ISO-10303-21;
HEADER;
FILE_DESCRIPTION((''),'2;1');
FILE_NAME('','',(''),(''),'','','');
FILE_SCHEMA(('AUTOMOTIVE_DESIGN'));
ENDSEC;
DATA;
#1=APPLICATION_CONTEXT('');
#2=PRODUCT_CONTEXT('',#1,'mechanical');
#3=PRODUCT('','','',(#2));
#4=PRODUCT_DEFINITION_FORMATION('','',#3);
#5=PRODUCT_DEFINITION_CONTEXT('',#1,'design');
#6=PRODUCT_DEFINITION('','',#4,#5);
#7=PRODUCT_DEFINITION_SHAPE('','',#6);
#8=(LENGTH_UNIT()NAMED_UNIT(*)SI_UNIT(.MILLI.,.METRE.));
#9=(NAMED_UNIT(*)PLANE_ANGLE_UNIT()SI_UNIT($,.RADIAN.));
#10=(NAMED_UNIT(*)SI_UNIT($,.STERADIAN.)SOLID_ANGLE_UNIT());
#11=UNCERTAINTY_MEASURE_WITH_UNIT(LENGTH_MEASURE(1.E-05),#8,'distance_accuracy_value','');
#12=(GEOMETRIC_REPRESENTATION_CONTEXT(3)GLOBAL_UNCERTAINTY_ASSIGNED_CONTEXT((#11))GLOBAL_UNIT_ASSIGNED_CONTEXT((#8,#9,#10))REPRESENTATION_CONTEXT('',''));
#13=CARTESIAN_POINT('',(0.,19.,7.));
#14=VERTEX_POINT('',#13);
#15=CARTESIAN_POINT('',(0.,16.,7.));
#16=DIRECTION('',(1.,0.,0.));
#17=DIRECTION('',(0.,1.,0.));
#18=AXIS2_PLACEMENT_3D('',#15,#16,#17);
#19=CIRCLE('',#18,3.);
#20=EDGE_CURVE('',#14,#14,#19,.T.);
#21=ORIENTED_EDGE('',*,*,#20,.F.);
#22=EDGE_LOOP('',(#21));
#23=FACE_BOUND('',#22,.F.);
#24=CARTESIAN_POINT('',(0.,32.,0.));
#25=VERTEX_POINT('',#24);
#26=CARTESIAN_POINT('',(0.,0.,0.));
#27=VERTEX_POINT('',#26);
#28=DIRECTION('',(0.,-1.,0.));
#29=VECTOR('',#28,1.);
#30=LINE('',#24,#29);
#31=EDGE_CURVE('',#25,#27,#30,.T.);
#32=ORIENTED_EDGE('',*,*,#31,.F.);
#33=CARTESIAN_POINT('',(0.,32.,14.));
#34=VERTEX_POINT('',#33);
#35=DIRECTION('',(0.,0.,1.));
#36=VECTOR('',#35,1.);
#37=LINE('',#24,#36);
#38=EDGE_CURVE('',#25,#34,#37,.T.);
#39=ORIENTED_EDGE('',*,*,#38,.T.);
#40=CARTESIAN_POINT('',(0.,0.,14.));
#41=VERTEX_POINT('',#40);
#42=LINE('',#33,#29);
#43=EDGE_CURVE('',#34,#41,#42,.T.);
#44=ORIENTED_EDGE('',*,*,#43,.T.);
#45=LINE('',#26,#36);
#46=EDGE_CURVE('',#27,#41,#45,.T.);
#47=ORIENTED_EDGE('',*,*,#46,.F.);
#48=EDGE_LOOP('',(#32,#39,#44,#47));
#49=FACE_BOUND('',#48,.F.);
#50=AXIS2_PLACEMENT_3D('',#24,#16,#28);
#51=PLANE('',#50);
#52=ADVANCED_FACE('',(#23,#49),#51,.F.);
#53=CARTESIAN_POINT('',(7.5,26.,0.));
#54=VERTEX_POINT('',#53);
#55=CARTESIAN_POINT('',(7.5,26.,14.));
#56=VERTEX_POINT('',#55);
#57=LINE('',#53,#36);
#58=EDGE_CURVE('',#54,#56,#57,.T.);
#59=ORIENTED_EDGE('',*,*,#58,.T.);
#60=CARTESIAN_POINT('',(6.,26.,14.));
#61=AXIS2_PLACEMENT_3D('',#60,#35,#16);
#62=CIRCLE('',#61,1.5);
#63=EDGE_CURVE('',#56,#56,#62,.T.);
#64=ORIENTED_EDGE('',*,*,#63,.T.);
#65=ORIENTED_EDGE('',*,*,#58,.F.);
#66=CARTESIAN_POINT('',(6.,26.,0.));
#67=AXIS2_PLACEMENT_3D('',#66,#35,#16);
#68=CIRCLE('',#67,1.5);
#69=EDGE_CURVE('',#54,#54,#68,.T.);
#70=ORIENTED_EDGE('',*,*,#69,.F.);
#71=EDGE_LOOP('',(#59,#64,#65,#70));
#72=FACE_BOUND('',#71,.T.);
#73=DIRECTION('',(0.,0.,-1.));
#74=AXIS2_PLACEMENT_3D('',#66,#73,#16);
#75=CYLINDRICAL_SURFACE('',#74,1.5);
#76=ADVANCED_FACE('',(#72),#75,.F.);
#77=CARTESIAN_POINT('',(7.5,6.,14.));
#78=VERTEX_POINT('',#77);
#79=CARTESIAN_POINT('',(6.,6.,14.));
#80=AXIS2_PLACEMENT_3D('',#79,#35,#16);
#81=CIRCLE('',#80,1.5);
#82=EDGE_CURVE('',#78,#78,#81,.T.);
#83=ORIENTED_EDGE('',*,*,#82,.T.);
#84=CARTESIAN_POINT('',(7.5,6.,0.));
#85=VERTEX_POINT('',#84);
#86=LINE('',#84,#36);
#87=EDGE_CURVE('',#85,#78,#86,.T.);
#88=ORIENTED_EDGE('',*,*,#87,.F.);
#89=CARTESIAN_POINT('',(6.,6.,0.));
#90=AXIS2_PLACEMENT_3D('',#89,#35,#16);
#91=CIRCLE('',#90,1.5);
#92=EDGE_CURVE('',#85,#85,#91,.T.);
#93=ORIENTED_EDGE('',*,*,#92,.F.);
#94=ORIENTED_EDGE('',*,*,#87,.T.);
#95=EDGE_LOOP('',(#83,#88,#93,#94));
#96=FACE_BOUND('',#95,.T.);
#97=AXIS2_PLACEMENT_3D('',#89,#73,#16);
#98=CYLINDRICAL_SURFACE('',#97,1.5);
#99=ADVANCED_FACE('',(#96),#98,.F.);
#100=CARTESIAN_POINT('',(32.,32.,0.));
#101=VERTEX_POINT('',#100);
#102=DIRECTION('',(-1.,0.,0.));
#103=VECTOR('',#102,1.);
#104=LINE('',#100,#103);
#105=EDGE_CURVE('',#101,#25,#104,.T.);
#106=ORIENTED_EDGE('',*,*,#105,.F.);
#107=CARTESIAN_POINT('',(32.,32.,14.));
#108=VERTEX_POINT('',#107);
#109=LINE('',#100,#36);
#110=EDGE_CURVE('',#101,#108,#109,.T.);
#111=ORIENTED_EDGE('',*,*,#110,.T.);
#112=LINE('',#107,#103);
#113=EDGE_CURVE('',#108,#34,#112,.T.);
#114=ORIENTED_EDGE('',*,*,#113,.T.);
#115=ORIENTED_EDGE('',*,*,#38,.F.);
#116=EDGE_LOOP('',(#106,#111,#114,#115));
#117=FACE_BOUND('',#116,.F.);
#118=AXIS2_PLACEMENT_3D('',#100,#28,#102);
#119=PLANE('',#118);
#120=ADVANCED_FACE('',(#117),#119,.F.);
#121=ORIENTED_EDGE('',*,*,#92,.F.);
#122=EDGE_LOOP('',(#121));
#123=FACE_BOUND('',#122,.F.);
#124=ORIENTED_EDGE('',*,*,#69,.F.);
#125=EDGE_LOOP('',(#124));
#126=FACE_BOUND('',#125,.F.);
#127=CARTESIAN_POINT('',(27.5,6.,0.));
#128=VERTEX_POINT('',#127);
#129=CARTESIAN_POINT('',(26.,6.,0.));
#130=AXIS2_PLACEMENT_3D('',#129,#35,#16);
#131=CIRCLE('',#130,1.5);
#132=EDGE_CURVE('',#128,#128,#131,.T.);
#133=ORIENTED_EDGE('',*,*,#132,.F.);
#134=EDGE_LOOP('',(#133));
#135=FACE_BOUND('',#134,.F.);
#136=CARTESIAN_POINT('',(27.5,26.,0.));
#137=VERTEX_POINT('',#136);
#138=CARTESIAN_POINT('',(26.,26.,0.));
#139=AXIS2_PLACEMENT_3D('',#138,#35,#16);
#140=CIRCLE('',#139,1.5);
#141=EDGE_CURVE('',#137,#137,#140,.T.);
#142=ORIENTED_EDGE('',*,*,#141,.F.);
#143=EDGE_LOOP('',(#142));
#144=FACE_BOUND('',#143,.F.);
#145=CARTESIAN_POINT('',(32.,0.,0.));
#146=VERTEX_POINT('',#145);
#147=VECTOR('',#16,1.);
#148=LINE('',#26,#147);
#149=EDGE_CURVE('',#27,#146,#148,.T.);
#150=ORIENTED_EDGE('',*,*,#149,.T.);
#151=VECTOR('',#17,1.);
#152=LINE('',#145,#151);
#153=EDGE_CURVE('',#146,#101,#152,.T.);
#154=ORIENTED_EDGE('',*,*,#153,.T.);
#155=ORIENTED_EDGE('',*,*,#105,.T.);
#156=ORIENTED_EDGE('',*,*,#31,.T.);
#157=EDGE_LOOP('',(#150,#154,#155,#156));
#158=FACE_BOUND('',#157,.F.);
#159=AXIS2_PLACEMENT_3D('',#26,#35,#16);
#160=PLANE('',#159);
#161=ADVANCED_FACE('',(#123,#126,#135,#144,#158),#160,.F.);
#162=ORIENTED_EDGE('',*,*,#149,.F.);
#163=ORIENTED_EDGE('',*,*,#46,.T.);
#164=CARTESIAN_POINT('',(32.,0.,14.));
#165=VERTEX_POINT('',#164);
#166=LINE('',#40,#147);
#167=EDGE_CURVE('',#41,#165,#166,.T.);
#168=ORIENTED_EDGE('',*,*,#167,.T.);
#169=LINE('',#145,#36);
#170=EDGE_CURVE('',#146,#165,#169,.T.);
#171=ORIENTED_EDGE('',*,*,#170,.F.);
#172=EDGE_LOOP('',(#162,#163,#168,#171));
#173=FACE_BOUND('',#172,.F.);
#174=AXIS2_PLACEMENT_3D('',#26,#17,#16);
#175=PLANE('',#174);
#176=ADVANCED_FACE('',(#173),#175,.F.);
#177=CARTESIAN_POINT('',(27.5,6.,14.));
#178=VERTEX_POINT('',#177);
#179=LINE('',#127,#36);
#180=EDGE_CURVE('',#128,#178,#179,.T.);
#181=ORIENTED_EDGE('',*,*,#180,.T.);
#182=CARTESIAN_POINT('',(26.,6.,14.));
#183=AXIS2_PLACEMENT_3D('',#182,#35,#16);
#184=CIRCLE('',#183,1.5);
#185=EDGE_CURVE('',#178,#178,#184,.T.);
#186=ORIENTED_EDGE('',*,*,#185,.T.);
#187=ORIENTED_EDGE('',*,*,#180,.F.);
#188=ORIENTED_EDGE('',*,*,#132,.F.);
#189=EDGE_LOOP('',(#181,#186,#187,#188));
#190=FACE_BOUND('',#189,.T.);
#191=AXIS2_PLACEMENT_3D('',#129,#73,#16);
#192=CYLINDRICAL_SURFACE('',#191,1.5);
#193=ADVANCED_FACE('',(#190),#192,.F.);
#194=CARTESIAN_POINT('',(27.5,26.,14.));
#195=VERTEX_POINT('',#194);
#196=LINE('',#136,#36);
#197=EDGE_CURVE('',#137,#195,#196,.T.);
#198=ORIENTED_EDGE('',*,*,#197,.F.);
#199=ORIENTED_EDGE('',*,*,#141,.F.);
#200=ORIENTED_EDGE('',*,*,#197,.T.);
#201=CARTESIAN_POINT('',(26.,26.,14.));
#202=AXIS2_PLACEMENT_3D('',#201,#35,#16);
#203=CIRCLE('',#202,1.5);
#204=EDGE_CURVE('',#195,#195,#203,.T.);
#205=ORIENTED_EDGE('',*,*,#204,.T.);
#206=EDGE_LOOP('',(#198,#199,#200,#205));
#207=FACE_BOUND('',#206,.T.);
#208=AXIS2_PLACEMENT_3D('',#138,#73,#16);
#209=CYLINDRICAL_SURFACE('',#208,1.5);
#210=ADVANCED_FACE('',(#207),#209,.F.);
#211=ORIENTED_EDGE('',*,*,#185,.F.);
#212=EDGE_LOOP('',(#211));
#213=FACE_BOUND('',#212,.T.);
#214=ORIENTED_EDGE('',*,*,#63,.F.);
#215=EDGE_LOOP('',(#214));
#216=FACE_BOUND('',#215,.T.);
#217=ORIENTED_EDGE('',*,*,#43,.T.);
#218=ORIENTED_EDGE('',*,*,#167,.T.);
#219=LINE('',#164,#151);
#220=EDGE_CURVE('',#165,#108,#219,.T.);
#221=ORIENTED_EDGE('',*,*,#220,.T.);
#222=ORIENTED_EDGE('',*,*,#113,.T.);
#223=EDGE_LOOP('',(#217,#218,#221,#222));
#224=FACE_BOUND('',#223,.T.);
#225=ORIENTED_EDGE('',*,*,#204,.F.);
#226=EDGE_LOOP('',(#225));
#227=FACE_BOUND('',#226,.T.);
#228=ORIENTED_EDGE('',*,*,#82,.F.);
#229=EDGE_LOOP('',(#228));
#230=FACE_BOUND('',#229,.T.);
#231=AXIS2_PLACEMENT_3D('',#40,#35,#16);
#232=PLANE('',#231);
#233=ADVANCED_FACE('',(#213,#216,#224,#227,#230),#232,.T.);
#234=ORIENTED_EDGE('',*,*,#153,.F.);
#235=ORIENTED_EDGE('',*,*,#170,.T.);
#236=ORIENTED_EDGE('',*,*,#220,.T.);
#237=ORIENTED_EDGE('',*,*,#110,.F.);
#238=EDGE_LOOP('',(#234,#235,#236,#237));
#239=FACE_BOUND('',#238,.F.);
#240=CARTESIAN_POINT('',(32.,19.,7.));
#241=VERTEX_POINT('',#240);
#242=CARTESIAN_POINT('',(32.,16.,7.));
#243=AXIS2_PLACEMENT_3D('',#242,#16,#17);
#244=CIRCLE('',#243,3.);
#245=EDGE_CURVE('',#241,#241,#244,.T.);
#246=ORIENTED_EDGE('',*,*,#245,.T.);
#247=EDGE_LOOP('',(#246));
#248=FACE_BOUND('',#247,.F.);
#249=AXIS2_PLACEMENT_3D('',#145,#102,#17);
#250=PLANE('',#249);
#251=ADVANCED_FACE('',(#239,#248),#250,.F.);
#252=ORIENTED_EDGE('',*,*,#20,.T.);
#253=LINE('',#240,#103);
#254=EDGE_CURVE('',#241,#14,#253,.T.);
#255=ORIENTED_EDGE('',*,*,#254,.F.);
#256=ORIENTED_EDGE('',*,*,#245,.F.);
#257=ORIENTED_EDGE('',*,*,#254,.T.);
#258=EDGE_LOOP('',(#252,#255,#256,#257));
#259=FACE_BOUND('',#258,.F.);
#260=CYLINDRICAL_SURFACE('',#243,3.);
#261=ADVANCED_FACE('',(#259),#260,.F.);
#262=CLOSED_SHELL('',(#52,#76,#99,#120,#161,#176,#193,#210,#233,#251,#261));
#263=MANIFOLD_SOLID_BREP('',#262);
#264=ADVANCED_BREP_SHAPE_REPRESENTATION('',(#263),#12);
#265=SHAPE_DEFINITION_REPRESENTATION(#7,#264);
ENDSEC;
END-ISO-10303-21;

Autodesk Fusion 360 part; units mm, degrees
sketch "Sketch1" plane through (0, 0, 0) normal (0, 0, 1) x (1, 0, 0)
  circle A0 centre (26, 26) radius 1.5
  circle A1 centre (6, 6) radius 1.5
  circle A2 centre (6, 26) radius 1.5
  line L0 (0, 0) -> (32, 0)
  circle A3 centre (26, 6) radius 1.5
  line L1 (32, 32) -> (0, 32)
  line L2 (0, 32) -> (0, 0)
  line L3 (32, 0) -> (32, 32)
  dimension "d5" = 20
  dimension "d6" = -20
  dimension "d7" = 32
  dimension "d8" = 32
  dimension "d9" = 3
  dimension "d10" = 6
  dimension "d11" = 6
extrude "Extrude1" add sketch "Sketch1" along normal blind 14
sketch "Sketch2" plane through (32, 0, 0) normal (1, 0, 0) x (0, 1, 0)
  line L0 (0, 0) -> (32, 0)
  line L1 (32, 0) -> (32, 14)
  line L2 (32, 14) -> (0, 14)
  line L3 (0, 14) -> (0, 0)
  line L4 (16, 14) -> (16, 0) construction
  line L5 (0, 7) -> (32, 7) construction
  circle A0 centre (16, 7) radius 3
  dimension "d14" = 6
extrude "Extrude2" cut sketch "Sketch2" against normal up to surface (32 mm away) contours A0
